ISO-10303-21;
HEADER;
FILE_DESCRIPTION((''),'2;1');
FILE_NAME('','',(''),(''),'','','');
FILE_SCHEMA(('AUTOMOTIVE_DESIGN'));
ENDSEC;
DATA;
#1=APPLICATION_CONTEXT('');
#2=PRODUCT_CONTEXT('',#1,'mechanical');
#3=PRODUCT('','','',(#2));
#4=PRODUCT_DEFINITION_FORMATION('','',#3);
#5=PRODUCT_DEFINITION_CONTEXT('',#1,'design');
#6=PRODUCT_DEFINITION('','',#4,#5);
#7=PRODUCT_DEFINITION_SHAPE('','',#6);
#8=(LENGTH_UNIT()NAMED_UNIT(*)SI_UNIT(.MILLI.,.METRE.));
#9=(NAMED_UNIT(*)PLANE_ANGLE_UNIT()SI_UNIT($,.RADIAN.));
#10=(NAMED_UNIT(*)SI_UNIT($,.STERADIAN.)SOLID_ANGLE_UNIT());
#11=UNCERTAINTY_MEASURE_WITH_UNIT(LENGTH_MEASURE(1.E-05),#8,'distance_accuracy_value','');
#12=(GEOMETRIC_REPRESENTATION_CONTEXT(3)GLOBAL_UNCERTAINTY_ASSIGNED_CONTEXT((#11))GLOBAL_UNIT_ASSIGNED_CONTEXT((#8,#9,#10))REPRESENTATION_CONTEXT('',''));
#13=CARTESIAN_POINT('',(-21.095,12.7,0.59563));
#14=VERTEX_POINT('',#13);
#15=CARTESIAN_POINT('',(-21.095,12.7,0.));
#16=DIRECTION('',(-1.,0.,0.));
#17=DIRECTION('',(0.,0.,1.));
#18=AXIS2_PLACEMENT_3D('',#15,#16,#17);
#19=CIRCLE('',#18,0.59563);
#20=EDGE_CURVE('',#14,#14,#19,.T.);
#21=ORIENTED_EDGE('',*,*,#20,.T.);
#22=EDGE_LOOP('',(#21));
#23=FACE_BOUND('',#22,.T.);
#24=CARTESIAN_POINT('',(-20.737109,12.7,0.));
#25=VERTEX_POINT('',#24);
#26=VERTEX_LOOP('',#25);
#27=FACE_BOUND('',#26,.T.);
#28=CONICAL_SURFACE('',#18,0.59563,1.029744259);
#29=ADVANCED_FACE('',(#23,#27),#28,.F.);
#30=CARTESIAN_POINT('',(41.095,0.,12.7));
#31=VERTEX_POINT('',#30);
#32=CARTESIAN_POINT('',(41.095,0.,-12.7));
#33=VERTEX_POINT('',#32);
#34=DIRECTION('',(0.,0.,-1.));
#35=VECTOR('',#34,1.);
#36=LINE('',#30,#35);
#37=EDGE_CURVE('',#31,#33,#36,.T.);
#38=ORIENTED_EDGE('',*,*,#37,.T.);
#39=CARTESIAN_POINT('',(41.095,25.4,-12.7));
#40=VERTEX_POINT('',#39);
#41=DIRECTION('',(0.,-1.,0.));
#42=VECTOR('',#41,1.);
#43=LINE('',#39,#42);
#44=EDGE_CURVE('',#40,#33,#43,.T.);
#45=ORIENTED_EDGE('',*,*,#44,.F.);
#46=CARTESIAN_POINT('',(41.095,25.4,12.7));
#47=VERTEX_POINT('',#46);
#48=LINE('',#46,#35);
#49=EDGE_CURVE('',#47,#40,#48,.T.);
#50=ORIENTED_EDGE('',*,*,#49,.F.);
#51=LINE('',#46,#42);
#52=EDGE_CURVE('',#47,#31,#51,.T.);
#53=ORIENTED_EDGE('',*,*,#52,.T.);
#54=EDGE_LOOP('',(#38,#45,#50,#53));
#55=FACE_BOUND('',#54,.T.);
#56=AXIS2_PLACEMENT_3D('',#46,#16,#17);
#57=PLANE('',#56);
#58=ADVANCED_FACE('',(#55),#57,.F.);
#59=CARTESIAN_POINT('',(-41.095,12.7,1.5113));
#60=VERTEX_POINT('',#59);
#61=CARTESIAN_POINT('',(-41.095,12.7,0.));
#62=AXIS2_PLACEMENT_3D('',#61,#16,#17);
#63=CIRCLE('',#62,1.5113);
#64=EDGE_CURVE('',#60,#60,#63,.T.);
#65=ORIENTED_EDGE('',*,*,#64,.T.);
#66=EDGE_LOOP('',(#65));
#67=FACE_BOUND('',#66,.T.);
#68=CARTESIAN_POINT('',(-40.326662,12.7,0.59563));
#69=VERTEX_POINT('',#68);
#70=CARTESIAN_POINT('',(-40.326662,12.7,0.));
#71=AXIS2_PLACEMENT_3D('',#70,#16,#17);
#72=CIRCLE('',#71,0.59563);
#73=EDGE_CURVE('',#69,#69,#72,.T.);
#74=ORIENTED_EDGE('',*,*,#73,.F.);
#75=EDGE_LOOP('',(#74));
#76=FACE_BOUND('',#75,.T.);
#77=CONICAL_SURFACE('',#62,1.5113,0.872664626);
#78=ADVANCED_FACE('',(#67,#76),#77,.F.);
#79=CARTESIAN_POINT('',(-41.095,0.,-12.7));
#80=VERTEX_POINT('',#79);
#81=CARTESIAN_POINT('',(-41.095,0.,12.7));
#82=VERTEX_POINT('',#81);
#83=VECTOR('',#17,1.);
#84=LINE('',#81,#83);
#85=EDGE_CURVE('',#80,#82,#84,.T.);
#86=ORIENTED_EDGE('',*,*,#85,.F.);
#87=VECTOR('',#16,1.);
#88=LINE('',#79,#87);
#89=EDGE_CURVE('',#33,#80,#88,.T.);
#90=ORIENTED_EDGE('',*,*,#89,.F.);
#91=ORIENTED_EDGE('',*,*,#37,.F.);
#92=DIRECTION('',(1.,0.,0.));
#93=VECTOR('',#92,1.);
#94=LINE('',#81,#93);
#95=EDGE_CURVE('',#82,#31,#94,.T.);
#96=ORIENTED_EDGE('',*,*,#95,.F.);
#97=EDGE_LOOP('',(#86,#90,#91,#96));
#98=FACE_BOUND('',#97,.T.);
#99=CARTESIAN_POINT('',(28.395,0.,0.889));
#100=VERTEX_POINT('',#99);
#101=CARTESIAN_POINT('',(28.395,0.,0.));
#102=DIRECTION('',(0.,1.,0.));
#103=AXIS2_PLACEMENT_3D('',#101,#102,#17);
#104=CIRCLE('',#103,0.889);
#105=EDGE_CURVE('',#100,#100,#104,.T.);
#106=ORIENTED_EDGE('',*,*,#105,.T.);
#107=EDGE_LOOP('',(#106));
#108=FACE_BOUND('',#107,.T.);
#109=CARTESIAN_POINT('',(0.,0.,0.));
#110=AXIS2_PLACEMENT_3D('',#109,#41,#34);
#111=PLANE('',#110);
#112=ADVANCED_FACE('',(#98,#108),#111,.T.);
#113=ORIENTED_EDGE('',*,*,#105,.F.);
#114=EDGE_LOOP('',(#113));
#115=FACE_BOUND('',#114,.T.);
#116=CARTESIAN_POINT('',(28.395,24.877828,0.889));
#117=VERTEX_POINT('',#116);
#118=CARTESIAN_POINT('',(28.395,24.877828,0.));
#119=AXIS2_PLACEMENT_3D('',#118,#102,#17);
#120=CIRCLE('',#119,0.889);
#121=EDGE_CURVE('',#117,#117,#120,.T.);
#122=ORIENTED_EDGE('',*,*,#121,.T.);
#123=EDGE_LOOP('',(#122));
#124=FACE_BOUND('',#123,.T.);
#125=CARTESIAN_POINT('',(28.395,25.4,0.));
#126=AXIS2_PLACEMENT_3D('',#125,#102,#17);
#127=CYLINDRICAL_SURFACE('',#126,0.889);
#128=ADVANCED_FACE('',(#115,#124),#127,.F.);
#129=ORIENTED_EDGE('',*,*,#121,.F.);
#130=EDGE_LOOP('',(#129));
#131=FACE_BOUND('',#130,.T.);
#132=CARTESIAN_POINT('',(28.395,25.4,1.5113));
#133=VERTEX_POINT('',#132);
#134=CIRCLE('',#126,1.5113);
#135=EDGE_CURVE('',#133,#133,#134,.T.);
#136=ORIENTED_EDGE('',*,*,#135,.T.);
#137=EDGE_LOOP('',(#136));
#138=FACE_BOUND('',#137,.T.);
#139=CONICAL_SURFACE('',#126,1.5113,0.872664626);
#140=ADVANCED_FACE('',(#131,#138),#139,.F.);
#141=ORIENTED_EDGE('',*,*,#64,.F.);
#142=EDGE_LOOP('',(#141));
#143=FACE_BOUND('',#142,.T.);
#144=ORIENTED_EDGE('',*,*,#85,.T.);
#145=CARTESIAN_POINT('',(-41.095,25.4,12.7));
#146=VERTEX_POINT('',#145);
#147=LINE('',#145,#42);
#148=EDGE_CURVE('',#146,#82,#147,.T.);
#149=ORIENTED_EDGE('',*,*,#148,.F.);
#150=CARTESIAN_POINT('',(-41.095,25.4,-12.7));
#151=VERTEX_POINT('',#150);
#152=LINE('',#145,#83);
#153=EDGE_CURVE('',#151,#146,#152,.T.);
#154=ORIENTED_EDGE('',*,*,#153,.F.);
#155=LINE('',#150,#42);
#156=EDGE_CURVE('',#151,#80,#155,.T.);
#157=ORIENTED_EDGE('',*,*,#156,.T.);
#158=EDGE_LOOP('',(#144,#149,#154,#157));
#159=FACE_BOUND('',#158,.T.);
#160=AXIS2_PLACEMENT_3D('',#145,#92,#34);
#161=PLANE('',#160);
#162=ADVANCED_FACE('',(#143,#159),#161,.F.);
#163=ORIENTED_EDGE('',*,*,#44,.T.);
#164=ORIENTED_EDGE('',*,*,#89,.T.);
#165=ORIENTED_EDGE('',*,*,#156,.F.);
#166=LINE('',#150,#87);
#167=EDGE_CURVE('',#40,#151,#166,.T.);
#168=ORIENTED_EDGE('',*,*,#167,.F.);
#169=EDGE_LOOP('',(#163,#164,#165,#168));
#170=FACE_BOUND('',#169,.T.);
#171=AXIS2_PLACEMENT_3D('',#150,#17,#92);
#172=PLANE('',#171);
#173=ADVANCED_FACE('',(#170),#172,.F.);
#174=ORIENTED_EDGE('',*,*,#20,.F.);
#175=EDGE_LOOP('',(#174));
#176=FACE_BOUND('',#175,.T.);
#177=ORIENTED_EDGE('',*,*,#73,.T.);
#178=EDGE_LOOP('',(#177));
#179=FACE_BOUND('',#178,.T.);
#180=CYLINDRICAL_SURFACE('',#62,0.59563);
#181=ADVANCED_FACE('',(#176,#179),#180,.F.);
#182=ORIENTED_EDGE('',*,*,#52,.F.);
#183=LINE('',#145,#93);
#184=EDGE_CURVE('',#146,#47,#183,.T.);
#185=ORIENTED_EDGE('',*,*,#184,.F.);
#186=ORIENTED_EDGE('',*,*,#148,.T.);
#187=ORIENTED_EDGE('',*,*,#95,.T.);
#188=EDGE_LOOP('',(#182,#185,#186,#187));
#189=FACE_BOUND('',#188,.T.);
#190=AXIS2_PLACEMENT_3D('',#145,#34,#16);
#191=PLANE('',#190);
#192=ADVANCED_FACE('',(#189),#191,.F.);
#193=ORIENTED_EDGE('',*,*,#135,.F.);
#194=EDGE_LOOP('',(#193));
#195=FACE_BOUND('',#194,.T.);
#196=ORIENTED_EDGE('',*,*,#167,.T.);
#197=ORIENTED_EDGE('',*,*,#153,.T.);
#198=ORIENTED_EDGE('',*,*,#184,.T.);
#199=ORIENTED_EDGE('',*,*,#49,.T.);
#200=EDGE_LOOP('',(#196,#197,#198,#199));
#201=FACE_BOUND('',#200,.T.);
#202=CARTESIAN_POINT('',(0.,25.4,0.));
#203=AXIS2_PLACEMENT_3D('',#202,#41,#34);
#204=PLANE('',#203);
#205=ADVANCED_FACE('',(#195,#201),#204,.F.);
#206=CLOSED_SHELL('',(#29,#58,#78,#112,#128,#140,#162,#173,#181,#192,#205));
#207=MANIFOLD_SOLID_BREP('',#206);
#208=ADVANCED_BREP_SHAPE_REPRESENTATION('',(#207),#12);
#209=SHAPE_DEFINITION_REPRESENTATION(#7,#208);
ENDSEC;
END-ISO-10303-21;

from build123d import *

# Parameters (mm, degrees)
SKETCH1_W                                         = 82.19
SKETCH1_H                                         = 25.4
BOSS_EXTRUDE1_DEPTH                               = 25.4
CSK_FOR_0_FLAT_HEAD_MACHINE_SCREW_100_D           = 1.778
CSK_FOR_0_FLAT_HEAD_MACHINE_SCREW_100_CSINK_D     = 3.0226
CSK_FOR_0_FLAT_HEAD_MACHINE_SCREW_100_CSINK_ANGLE = 100
F_0_80_TAPPED_HOLE1_D                             = 1.19126
F_0_80_TAPPED_HOLE1_DEPTH                         = 20
F_0_80_TAPPED_HOLE1_CSINK_D                       = 3.0226
F_0_80_TAPPED_HOLE1_CSINK_ANGLE                   = 100
F_0_80_TAPPED_HOLE1_TIP                           = 0.357890611


with BuildPart() as part:
    # Sketch1 → Boss-Extrude1 (new body)
    with BuildSketch(Plane(origin=(0, 0, 0), x_dir=(1, 0, 0), z_dir=(0, 1, 0))):
        Rectangle(SKETCH1_W, SKETCH1_H)
    extrude(amount=BOSS_EXTRUDE1_DEPTH)

    # CSK for #0 Flat Head Machine Screw (100)1 (through all)
    with Locations(Plane(origin=(0, 25.4, 0), x_dir=(1, 0, 0), z_dir=(0, 1, 0))):
        with Locations((28.395, 0)):
            CounterSinkHole(CSK_FOR_0_FLAT_HEAD_MACHINE_SCREW_100_D / 2, CSK_FOR_0_FLAT_HEAD_MACHINE_SCREW_100_CSINK_D / 2, counter_sink_angle=CSK_FOR_0_FLAT_HEAD_MACHINE_SCREW_100_CSINK_ANGLE)

    # #0-80 Tapped Hole1
    with Locations(Plane.ZY.offset(41.095)):
        with Locations((0, 12.7)):
            CounterSinkHole(F_0_80_TAPPED_HOLE1_D / 2, F_0_80_TAPPED_HOLE1_CSINK_D / 2, depth=F_0_80_TAPPED_HOLE1_DEPTH, counter_sink_angle=F_0_80_TAPPED_HOLE1_CSINK_ANGLE)
            with Locations((0, 0, -(F_0_80_TAPPED_HOLE1_DEPTH + F_0_80_TAPPED_HOLE1_TIP / 2))):  # 118° drill point
                Cone(0, F_0_80_TAPPED_HOLE1_D / 2, F_0_80_TAPPED_HOLE1_TIP, mode=Mode.SUBTRACT)


solid = part.part
